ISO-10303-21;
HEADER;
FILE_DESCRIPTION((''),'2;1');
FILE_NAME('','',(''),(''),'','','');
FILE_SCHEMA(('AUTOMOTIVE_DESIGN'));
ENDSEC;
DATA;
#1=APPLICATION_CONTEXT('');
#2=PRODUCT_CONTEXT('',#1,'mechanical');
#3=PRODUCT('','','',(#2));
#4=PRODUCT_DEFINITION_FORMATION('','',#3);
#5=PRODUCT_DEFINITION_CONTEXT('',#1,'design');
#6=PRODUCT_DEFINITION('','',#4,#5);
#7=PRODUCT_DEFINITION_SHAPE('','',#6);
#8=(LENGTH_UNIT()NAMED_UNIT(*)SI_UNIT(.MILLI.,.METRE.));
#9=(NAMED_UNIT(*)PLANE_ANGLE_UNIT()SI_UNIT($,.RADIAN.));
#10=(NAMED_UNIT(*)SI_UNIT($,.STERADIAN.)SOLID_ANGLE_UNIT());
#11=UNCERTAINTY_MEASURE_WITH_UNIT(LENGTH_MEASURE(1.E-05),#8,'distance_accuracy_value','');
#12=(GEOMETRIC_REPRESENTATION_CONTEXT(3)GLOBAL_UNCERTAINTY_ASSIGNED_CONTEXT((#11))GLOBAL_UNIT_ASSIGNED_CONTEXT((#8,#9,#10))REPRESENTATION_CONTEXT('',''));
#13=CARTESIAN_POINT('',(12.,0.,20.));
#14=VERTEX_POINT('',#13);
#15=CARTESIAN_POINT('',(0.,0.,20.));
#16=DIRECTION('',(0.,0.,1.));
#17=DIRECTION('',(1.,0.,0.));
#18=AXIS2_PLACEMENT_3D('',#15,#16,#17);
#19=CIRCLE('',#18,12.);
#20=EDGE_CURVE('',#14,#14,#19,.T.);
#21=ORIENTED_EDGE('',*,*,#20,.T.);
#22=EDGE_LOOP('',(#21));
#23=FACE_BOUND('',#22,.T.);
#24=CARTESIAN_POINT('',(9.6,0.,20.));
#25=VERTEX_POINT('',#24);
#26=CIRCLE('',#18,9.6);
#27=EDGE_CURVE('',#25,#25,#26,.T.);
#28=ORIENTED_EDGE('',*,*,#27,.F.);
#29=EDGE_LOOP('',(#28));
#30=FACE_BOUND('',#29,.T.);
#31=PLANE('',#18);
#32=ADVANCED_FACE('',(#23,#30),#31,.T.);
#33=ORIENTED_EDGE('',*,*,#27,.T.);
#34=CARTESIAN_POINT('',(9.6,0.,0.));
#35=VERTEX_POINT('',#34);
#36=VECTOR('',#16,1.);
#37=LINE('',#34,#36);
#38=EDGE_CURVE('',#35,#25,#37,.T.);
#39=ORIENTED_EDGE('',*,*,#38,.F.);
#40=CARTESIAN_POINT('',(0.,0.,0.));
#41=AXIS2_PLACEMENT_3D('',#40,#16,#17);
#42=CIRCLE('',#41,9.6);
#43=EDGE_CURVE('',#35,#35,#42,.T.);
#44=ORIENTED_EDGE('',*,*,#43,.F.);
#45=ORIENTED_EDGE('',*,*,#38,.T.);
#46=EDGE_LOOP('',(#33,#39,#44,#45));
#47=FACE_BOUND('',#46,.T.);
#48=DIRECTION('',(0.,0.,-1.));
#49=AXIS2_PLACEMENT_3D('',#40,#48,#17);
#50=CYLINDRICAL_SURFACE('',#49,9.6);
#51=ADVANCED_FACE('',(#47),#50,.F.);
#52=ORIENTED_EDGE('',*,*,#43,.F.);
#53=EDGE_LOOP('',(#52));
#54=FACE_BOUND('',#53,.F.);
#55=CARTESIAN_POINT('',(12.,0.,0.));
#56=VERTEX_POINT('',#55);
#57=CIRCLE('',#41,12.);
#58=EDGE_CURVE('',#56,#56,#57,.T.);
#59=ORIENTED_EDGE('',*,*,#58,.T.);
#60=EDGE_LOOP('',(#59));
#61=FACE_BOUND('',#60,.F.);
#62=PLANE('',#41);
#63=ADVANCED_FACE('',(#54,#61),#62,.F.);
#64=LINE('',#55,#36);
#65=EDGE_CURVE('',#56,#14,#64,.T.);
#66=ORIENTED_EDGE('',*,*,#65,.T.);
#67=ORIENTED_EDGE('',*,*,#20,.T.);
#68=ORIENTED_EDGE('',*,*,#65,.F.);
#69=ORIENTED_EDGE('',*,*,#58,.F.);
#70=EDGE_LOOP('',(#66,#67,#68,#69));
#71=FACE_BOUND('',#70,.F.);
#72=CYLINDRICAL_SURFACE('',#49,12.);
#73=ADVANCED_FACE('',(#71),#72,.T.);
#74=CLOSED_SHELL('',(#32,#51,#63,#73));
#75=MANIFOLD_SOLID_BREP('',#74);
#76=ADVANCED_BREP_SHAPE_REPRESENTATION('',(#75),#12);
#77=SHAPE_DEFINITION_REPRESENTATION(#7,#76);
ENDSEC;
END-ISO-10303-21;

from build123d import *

# Parameters (mm, degrees)
SKETCH_R      = 12
SKETCH_R_2    = 9.6
EXTRUDE_DEPTH = 20


with BuildPart() as part:
    # Sketch → Extrude (new body)
    with BuildSketch(Plane.XY):
        Circle(SKETCH_R)
        Circle(SKETCH_R_2, mode=Mode.SUBTRACT)
    extrude(amount=EXTRUDE_DEPTH)


solid = part.part
